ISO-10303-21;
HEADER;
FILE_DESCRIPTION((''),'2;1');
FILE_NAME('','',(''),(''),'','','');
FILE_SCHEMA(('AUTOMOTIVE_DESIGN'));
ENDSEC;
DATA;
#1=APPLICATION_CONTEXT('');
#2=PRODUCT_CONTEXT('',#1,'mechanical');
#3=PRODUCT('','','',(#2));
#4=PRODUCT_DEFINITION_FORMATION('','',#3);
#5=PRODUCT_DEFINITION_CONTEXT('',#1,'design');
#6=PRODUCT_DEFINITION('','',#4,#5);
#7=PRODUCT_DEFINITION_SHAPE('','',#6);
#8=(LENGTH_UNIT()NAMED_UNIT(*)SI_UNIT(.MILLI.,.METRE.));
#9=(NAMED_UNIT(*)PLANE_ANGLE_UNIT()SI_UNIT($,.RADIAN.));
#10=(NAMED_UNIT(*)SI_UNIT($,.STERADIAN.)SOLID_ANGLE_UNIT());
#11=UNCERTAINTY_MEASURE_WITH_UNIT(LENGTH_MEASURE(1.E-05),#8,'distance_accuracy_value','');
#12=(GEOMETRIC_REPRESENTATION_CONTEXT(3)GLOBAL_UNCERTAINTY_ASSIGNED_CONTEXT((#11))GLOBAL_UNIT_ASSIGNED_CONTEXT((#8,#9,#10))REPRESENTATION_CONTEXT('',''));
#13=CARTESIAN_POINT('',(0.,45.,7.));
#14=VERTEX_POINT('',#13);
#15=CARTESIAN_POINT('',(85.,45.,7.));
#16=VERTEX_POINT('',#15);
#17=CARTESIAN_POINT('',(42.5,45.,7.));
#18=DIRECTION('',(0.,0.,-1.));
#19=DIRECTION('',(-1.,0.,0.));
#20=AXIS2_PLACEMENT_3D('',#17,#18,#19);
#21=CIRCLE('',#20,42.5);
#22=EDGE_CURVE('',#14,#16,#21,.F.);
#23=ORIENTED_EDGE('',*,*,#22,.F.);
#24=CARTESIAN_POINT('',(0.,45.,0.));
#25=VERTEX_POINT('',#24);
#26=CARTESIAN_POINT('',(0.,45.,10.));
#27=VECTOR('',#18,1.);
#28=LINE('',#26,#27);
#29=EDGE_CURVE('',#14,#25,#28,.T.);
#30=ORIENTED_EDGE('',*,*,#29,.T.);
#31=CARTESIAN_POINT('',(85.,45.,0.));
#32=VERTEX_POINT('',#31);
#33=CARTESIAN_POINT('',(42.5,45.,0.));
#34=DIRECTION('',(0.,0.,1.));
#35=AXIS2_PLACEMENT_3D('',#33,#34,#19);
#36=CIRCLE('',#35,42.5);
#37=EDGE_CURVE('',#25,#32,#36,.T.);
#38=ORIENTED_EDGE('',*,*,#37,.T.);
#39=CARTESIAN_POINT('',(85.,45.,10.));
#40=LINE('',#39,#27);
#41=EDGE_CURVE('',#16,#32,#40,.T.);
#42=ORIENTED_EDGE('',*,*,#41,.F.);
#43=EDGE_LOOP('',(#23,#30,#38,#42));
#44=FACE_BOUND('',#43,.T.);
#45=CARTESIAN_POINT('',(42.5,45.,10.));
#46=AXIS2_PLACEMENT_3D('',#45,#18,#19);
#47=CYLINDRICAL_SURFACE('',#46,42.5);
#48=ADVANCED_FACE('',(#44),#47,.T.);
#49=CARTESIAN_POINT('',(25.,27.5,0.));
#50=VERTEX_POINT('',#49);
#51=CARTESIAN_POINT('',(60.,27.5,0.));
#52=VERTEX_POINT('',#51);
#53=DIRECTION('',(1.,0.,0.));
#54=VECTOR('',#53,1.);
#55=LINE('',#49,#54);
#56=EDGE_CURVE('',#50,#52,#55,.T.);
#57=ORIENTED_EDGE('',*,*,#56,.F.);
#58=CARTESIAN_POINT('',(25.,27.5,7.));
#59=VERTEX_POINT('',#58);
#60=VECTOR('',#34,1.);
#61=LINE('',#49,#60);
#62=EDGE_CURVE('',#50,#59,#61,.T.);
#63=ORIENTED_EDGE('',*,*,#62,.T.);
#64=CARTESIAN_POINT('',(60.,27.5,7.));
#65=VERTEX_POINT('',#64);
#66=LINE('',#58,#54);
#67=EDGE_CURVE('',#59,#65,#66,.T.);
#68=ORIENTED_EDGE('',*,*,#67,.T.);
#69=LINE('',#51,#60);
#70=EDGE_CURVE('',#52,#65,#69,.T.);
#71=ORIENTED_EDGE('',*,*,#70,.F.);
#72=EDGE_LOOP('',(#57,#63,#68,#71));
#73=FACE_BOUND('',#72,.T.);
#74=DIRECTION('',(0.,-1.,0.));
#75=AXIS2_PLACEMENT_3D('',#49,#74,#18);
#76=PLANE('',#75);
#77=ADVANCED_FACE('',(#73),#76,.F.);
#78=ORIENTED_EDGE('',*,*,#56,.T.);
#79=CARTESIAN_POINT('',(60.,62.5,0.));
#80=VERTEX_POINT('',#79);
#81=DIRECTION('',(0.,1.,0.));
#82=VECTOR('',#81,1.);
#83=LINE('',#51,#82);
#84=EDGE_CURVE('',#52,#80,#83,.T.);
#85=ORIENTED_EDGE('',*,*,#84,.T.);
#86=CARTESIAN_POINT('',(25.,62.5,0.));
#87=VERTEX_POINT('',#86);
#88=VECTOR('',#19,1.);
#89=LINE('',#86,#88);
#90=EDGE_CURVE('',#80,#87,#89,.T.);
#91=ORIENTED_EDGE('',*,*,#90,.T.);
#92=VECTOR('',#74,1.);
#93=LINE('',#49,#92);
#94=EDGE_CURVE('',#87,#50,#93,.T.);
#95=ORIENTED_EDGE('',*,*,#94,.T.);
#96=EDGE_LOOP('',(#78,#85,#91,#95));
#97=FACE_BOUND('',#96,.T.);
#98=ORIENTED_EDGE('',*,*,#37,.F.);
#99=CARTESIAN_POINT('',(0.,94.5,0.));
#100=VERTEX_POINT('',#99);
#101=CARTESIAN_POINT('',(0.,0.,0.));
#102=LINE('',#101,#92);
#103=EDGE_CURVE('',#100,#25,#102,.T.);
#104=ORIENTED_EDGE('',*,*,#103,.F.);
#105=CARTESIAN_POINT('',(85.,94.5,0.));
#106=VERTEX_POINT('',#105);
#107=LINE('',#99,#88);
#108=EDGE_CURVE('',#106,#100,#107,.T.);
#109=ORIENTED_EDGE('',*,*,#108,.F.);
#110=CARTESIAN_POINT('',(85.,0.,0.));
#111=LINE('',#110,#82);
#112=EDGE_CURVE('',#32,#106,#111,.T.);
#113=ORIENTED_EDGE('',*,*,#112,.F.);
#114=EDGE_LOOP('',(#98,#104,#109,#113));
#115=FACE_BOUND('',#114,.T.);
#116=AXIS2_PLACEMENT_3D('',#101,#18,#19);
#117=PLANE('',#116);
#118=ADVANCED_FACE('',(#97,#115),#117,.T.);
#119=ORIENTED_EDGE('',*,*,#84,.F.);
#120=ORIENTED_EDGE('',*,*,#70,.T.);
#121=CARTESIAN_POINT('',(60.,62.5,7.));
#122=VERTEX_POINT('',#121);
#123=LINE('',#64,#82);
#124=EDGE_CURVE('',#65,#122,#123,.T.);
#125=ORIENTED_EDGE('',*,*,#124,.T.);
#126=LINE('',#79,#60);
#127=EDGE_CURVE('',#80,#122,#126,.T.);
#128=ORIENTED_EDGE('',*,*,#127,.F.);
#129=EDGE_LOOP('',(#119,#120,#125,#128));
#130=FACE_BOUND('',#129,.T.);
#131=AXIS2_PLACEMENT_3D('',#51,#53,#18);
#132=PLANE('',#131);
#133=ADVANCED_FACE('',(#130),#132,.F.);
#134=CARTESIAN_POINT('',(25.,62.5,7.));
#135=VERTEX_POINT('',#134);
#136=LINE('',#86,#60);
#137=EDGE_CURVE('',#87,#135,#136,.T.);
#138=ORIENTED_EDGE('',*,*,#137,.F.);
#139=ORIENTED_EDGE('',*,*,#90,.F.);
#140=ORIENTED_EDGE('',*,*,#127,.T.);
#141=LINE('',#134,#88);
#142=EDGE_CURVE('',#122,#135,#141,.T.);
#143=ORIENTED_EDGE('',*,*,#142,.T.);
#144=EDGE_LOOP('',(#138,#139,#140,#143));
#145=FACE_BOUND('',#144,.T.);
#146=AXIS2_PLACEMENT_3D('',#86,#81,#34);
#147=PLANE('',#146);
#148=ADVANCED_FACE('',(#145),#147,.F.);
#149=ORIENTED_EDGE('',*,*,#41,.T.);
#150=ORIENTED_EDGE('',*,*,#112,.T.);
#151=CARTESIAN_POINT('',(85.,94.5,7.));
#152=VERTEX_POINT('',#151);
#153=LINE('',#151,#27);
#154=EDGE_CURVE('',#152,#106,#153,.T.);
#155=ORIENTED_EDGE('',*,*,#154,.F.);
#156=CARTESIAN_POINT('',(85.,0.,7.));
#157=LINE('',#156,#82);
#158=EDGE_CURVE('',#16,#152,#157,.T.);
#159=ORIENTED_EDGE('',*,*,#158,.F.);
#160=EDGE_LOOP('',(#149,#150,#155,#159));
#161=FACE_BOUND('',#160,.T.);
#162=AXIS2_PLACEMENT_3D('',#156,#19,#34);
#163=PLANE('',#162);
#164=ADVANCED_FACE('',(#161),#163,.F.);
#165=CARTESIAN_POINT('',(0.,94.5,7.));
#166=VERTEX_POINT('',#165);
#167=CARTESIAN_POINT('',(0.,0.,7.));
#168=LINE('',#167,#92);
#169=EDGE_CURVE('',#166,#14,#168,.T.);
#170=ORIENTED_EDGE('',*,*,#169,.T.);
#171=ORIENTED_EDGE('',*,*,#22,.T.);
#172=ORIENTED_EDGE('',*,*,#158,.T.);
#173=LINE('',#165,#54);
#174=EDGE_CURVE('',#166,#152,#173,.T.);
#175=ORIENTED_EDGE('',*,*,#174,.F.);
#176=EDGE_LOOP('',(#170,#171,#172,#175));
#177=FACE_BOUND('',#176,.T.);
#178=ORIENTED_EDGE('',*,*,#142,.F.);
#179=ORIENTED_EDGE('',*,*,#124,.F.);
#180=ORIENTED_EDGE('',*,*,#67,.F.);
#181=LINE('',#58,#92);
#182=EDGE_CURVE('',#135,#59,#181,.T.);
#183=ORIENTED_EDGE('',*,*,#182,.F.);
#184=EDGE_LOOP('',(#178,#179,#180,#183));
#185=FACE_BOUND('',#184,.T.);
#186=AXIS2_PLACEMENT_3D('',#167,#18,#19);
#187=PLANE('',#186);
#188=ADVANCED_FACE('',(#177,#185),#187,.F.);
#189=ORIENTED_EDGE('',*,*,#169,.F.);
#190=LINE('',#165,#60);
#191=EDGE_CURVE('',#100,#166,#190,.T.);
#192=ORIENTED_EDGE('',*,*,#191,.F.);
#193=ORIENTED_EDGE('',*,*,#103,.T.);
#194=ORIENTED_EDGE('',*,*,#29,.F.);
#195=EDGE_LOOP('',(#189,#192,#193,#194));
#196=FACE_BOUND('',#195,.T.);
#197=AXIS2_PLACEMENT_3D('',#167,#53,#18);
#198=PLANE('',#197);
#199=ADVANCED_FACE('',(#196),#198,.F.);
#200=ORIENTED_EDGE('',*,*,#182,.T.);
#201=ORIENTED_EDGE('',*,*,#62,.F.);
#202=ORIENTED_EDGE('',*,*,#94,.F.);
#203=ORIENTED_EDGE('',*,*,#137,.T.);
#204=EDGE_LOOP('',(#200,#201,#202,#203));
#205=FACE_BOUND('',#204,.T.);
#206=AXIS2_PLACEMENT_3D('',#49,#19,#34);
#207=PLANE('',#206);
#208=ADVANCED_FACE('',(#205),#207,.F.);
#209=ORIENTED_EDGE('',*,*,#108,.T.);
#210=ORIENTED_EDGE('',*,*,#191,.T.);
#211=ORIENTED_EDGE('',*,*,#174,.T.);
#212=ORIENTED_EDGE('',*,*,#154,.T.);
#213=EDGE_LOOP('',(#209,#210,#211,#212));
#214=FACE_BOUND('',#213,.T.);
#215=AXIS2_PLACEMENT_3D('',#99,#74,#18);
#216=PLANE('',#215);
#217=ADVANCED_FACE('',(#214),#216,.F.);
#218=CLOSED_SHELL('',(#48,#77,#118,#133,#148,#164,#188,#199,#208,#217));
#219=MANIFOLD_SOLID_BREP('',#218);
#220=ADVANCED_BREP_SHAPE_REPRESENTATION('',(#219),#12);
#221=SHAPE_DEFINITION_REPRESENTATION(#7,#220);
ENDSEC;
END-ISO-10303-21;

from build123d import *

# Parameters (mm, degrees)
SKETCH1_W           = 85
SKETCH1_H           = 95
BOSS_EXTRUDE1_DEPTH = 7
SKETCH2_W           = 35
SKETCH2_H           = 35
CUT_EXTRUDE1_DEPTH  = 7
CUT_EXTRUDE4_DEPTH  = 10
SKETCH12_W          = 85
SKETCH12_H          = 7
CUT_EXTRUDE9_DEPTH  = 0.5


with BuildPart() as part:
    # Sketch1 → Boss-Extrude1 (new body)
    with BuildSketch(Plane.XY):
        with Locations((42.5, 47.5)):
            Rectangle(SKETCH1_W, SKETCH1_H)
    extrude(amount=BOSS_EXTRUDE1_DEPTH)

    # Sketch2 → Cut-Extrude1 (cut)
    with BuildSketch(Plane.XY.offset(7)):
        with Locations((42.5, 45)):
            Rectangle(SKETCH2_W, SKETCH2_H)
    extrude(amount=-CUT_EXTRUDE1_DEPTH, mode=Mode.SUBTRACT)

    # Sketch7 → Cut-Extrude4 (cut)
    with BuildSketch(Plane(origin=(0, 0, 0), x_dir=(-1, 0, 0), z_dir=(0, 0, -1))):
        with BuildLine():
            Line((-85, 45), (-85, 0))
            Line((-85, 0), (0, 0))
            Line((0, 0), (0, 45))
            ThreePointArc((0, 45), (-42.5, 2.5), (-85, 45))
        make_face()
    extrude(amount=-CUT_EXTRUDE4_DEPTH, mode=Mode.SUBTRACT)

    # Sketch12 → Cut-Extrude9 (cut)
    with BuildSketch(Plane(origin=(0, 95, 0), x_dir=(1, 0, 0), z_dir=(0, 1, 0))):
        with Locations((42.5, -3.5)):
            Rectangle(SKETCH12_W, SKETCH12_H)
    extrude(amount=-CUT_EXTRUDE9_DEPTH, mode=Mode.SUBTRACT)


solid = part.part
